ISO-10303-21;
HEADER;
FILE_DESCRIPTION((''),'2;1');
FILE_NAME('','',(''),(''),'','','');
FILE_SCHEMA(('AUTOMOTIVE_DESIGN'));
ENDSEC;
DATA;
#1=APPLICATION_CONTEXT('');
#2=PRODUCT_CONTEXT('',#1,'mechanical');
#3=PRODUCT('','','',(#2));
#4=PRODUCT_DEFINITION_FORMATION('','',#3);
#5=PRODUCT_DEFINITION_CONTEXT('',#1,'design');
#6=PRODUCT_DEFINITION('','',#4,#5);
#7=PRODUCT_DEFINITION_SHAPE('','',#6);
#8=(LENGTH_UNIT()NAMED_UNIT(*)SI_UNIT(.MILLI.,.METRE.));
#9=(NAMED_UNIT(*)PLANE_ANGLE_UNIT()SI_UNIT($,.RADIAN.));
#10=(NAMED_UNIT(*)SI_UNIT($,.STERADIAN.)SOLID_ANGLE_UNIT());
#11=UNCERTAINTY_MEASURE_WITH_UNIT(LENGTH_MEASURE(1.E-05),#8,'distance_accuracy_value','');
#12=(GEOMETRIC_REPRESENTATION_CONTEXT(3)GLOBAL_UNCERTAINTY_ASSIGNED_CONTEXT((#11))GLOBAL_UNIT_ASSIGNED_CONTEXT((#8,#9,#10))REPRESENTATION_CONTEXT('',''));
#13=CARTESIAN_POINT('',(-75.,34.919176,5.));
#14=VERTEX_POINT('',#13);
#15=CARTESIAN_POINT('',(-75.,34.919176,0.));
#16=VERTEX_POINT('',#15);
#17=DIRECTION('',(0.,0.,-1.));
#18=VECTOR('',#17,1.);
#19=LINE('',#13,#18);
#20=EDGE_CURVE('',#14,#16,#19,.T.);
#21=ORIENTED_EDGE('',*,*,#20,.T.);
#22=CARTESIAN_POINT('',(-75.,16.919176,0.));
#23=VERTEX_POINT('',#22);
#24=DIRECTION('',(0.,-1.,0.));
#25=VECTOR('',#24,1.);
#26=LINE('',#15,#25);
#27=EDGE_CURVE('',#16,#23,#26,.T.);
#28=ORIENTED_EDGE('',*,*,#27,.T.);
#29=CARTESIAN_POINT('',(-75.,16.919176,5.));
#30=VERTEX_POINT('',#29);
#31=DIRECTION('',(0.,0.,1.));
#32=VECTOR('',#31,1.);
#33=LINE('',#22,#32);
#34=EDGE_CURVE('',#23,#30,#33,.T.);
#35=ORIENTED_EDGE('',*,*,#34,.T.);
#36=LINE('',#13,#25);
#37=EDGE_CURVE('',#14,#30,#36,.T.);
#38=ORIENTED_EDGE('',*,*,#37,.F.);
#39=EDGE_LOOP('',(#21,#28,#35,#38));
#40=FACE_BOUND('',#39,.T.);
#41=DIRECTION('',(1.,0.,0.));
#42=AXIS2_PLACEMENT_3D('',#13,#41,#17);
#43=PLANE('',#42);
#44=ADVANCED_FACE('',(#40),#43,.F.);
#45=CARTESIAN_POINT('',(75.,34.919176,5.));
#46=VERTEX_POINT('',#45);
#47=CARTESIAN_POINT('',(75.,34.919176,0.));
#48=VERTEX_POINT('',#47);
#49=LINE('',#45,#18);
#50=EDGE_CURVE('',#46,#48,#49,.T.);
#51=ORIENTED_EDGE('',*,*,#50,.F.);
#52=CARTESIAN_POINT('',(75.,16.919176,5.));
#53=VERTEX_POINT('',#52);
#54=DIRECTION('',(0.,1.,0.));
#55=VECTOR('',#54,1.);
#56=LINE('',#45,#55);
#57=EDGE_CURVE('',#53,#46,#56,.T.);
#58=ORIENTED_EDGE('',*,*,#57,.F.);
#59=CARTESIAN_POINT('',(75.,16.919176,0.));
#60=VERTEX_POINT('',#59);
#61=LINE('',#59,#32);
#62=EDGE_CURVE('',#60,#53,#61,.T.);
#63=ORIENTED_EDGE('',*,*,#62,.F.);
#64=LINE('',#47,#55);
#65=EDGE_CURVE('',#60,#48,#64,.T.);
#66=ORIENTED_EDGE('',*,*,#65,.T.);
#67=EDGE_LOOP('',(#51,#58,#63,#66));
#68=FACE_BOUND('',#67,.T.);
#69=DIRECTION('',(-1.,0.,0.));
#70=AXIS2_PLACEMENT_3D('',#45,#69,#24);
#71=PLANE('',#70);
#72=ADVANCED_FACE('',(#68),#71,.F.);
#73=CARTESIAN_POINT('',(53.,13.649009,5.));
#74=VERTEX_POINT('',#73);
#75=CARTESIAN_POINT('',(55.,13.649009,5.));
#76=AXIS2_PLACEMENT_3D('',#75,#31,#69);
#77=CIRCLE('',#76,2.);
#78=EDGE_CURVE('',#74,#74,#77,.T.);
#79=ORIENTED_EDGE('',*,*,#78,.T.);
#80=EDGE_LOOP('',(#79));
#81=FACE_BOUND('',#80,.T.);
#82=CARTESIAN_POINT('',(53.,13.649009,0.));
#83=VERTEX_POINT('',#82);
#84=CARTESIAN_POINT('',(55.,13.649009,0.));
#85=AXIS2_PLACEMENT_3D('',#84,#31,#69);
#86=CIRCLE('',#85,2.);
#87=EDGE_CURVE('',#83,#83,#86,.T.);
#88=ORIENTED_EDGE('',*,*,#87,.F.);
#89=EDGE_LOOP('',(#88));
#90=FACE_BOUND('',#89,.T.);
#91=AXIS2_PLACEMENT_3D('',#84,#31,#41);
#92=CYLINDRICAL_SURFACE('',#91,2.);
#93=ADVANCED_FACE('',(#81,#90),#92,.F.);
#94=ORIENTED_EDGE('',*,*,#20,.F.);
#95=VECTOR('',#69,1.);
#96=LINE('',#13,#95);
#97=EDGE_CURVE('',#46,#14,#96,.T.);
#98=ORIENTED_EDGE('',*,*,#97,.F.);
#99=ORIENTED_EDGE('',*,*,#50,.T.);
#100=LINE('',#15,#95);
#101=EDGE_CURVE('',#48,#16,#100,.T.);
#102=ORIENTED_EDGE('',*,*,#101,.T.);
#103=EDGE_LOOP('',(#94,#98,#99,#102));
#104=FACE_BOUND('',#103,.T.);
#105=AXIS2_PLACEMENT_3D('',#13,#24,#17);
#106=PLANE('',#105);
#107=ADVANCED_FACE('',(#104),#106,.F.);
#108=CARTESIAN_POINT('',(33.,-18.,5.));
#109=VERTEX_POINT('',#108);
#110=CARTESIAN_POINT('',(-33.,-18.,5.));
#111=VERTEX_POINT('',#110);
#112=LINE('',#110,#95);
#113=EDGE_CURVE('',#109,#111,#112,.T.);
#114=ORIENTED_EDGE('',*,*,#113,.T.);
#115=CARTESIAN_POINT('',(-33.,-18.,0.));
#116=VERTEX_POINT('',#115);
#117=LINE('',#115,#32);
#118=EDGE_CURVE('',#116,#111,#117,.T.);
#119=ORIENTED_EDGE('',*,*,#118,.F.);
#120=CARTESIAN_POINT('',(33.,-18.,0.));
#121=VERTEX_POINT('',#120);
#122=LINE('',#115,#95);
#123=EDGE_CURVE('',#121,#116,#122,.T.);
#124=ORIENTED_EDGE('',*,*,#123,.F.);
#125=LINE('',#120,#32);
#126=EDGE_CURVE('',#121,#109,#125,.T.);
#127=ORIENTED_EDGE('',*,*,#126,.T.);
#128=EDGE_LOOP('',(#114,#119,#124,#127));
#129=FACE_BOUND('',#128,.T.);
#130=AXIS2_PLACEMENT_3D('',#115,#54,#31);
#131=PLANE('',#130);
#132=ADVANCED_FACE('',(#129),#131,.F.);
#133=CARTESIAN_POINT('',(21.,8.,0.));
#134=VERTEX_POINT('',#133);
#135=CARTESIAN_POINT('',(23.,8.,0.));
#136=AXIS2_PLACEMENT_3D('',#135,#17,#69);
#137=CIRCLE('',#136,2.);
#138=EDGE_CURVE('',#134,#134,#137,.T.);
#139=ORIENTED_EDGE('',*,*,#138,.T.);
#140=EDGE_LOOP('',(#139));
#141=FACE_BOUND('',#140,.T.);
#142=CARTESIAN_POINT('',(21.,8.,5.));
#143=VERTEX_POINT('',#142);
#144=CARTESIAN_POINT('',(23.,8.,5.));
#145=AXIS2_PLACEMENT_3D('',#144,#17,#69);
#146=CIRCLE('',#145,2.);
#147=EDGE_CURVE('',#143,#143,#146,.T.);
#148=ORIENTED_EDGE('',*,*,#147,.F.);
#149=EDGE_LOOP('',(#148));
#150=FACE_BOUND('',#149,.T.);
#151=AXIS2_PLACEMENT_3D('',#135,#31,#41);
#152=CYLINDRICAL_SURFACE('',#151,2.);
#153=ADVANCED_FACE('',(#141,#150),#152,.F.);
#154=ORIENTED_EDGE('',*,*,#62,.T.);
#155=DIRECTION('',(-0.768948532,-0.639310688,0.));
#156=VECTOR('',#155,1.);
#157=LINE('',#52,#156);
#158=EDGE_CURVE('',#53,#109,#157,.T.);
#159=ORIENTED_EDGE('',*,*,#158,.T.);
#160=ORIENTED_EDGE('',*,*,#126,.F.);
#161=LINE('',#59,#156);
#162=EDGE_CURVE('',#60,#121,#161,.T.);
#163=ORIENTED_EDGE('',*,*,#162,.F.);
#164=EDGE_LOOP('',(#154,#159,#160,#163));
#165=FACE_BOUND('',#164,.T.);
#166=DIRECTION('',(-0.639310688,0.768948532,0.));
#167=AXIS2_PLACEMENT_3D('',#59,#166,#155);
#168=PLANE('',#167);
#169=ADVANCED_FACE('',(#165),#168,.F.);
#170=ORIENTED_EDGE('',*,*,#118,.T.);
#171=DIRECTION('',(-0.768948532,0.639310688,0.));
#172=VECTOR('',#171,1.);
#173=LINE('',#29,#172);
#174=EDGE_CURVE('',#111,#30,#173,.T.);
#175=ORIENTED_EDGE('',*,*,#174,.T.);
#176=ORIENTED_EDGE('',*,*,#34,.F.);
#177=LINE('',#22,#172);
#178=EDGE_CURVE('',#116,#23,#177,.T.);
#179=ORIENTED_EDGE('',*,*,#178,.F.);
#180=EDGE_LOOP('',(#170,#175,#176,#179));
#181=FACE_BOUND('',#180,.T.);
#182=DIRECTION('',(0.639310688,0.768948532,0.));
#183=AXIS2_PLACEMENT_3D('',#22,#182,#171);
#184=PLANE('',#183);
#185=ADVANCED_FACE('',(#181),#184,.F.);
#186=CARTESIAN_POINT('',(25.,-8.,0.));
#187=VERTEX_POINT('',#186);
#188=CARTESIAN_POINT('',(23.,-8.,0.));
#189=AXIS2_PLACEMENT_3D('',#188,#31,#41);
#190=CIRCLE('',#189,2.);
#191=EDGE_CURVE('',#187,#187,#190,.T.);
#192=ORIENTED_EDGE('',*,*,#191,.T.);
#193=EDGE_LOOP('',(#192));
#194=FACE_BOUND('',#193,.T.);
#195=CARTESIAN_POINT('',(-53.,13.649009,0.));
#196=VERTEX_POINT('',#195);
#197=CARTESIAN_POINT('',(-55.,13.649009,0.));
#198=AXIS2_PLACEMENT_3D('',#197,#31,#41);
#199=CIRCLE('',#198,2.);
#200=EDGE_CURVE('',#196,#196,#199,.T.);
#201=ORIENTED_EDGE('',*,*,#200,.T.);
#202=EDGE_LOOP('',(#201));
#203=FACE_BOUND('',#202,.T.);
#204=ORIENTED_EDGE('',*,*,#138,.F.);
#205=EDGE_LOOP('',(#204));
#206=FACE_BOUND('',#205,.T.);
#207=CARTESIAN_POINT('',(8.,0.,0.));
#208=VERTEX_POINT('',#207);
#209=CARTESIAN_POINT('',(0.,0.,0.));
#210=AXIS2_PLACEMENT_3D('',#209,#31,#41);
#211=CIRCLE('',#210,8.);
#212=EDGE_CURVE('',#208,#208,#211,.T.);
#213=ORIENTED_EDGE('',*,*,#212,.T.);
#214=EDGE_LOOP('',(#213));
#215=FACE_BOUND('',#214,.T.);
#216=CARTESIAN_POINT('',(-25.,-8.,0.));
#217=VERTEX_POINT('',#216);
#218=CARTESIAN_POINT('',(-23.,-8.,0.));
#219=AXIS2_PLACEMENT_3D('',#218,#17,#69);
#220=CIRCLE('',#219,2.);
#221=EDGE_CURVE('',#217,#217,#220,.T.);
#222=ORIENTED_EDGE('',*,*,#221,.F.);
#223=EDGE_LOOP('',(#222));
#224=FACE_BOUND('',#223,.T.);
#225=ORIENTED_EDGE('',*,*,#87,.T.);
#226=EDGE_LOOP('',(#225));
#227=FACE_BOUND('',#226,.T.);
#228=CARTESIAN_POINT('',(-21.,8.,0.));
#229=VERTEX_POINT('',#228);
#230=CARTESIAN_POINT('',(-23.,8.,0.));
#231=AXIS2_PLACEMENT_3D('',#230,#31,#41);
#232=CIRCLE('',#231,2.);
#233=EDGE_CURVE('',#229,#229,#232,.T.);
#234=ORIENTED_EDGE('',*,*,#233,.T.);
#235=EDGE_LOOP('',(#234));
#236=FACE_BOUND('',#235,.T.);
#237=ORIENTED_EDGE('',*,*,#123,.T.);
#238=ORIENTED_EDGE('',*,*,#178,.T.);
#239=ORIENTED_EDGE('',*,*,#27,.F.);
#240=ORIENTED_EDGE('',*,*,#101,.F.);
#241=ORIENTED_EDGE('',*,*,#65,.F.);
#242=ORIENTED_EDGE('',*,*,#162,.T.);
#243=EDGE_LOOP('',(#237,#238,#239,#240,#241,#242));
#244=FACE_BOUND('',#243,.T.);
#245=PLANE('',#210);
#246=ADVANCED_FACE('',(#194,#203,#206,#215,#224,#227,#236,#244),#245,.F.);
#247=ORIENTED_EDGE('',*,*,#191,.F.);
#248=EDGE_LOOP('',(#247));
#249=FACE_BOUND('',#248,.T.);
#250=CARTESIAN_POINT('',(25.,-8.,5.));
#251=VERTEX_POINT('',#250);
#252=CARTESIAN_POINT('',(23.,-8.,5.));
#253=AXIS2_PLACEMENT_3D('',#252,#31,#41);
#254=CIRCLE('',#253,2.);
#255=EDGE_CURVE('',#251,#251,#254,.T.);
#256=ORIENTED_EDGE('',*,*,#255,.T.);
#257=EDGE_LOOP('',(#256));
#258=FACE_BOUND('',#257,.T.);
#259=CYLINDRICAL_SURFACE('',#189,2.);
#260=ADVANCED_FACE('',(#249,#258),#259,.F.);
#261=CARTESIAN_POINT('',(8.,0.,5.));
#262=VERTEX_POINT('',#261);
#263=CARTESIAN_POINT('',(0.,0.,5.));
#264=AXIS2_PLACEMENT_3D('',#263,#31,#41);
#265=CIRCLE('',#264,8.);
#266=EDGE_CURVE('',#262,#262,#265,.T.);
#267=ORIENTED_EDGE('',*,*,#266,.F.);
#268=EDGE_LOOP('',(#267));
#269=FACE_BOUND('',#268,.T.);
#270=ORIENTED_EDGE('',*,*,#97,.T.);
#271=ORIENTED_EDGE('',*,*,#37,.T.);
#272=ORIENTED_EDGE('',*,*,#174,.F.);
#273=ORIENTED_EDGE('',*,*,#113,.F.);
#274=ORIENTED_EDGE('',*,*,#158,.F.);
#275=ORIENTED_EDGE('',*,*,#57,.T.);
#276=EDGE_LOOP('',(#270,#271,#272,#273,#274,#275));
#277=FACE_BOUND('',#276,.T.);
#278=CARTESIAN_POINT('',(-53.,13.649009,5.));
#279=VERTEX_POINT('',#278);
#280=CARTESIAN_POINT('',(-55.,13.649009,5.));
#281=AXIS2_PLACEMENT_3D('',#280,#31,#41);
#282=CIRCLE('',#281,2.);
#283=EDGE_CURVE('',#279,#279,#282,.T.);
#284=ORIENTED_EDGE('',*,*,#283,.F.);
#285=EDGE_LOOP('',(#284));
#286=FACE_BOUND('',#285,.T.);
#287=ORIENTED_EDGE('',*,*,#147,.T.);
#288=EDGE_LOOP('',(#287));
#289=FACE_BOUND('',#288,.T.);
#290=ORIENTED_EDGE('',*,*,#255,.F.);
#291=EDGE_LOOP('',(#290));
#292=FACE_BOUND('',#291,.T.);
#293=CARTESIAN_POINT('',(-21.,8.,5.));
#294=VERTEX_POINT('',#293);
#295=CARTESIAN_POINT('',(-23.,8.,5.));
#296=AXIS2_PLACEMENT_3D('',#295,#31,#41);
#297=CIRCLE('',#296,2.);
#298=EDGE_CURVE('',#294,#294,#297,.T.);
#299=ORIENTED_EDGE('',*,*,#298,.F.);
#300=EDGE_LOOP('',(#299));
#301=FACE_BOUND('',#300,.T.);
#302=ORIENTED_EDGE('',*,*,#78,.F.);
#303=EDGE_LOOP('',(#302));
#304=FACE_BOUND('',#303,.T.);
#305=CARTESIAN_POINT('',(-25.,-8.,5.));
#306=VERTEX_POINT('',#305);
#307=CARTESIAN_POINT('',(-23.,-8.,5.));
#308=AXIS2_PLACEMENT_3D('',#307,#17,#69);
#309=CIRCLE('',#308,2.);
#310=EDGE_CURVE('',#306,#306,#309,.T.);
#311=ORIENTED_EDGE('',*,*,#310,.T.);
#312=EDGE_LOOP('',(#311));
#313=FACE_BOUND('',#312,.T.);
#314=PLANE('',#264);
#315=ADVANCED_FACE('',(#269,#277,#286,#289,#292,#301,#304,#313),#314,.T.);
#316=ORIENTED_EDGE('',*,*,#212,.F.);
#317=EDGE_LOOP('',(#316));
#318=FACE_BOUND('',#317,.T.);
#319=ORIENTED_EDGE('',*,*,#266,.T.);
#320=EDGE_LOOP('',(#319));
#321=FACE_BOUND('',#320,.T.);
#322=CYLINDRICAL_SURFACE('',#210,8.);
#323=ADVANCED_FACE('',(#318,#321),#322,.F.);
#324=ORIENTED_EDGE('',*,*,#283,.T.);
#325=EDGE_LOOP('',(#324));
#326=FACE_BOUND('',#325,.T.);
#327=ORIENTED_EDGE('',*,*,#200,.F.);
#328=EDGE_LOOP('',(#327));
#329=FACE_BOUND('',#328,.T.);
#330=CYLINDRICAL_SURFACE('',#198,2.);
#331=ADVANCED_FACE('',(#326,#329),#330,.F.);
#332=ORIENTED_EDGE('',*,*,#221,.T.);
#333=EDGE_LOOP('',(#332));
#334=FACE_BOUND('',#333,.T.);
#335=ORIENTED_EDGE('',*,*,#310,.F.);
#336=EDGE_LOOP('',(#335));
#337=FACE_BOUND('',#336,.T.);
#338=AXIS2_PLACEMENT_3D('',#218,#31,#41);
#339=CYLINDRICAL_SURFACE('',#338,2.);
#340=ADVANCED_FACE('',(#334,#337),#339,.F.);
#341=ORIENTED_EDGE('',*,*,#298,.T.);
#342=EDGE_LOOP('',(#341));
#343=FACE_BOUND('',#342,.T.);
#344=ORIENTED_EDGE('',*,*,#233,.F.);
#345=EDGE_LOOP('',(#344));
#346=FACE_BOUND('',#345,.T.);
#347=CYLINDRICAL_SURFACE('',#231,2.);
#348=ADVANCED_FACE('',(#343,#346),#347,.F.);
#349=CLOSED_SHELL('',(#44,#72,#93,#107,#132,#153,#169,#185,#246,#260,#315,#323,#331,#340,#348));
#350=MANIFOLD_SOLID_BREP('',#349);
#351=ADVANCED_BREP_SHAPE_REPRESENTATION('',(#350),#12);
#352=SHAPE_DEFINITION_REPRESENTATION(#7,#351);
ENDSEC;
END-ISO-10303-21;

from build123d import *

# Parameters (mm, degrees)
SKETCH_1_W          = 150
SKETCH_1_H          = 70
EXTRUDE_1_DEPTH     = 5
SKETCH_2_R          = 8
CUT_EXTRUDE_1_DEPTH = 83.949769328
SKETCH_3_R          = 2
CUT_EXTRUDE_2_DEPTH = 83.949769328
SKETCH_4_R          = 2
CUT_EXTRUDE_3_DEPTH = 83.949769328
CUT_EXTRUDE_4_DEPTH = 83.949769328


with BuildPart() as part:
    # 스케치1 → 보스-돌출1 (new body)
    with BuildSketch(Plane.XY):
        with Locations((0, -0.080824272)):
            Rectangle(SKETCH_1_W, SKETCH_1_H)
    extrude(amount=EXTRUDE_1_DEPTH)

    # 스케치2 → 컷-돌출1 (cut, through all)
    with BuildSketch(Plane.XY.offset(5)):
        Circle(SKETCH_2_R)
    extrude(amount=-CUT_EXTRUDE_1_DEPTH, mode=Mode.SUBTRACT)

    # 스케치3 → 컷-돌출2 (cut, through all)
    with BuildSketch(Plane.XY.offset(5)):
        with Locations((-23, 8)):
            Circle(SKETCH_3_R)
        with Locations(Location((-23, -8, 0), (0, 0, 180))):
            Circle(SKETCH_3_R)
        with Locations((23, -8)):
            Circle(SKETCH_3_R)
        with Locations(Location((23, 8, 0), (0, 0, 180))):
            Circle(SKETCH_3_R)
    extrude(amount=-CUT_EXTRUDE_2_DEPTH, mode=Mode.SUBTRACT)

    # 스케치4 → 컷-돌출3 (cut, through all)
    with BuildSketch(Plane.XY.offset(5)):
        with Locations((-55, 13.64900919)):
            Circle(SKETCH_4_R)
        with Locations((-65, -25.080824272)):
            Circle(SKETCH_4_R)
        with Locations(Location((65, -25.080824272, 0), (0, 0, 180))):
            Circle(SKETCH_4_R)
        with Locations(Location((55, 13.64900919, 0), (0, 0, 180))):
            Circle(SKETCH_4_R)
    extrude(amount=-CUT_EXTRUDE_3_DEPTH, mode=Mode.SUBTRACT)

    # 스케치5 → 컷-돌출4 (cut, through all)
    with BuildSketch(Plane.XY.offset(5)):
        Polygon((-75, 16.919175728), (-33, -18), (33, -18), (75, 16.919175728), (75, -35.080824272), (-75, -35.080824272), (-75, -27.080824272), align=None)
    extrude(amount=-CUT_EXTRUDE_4_DEPTH, mode=Mode.SUBTRACT)


solid = part.part
